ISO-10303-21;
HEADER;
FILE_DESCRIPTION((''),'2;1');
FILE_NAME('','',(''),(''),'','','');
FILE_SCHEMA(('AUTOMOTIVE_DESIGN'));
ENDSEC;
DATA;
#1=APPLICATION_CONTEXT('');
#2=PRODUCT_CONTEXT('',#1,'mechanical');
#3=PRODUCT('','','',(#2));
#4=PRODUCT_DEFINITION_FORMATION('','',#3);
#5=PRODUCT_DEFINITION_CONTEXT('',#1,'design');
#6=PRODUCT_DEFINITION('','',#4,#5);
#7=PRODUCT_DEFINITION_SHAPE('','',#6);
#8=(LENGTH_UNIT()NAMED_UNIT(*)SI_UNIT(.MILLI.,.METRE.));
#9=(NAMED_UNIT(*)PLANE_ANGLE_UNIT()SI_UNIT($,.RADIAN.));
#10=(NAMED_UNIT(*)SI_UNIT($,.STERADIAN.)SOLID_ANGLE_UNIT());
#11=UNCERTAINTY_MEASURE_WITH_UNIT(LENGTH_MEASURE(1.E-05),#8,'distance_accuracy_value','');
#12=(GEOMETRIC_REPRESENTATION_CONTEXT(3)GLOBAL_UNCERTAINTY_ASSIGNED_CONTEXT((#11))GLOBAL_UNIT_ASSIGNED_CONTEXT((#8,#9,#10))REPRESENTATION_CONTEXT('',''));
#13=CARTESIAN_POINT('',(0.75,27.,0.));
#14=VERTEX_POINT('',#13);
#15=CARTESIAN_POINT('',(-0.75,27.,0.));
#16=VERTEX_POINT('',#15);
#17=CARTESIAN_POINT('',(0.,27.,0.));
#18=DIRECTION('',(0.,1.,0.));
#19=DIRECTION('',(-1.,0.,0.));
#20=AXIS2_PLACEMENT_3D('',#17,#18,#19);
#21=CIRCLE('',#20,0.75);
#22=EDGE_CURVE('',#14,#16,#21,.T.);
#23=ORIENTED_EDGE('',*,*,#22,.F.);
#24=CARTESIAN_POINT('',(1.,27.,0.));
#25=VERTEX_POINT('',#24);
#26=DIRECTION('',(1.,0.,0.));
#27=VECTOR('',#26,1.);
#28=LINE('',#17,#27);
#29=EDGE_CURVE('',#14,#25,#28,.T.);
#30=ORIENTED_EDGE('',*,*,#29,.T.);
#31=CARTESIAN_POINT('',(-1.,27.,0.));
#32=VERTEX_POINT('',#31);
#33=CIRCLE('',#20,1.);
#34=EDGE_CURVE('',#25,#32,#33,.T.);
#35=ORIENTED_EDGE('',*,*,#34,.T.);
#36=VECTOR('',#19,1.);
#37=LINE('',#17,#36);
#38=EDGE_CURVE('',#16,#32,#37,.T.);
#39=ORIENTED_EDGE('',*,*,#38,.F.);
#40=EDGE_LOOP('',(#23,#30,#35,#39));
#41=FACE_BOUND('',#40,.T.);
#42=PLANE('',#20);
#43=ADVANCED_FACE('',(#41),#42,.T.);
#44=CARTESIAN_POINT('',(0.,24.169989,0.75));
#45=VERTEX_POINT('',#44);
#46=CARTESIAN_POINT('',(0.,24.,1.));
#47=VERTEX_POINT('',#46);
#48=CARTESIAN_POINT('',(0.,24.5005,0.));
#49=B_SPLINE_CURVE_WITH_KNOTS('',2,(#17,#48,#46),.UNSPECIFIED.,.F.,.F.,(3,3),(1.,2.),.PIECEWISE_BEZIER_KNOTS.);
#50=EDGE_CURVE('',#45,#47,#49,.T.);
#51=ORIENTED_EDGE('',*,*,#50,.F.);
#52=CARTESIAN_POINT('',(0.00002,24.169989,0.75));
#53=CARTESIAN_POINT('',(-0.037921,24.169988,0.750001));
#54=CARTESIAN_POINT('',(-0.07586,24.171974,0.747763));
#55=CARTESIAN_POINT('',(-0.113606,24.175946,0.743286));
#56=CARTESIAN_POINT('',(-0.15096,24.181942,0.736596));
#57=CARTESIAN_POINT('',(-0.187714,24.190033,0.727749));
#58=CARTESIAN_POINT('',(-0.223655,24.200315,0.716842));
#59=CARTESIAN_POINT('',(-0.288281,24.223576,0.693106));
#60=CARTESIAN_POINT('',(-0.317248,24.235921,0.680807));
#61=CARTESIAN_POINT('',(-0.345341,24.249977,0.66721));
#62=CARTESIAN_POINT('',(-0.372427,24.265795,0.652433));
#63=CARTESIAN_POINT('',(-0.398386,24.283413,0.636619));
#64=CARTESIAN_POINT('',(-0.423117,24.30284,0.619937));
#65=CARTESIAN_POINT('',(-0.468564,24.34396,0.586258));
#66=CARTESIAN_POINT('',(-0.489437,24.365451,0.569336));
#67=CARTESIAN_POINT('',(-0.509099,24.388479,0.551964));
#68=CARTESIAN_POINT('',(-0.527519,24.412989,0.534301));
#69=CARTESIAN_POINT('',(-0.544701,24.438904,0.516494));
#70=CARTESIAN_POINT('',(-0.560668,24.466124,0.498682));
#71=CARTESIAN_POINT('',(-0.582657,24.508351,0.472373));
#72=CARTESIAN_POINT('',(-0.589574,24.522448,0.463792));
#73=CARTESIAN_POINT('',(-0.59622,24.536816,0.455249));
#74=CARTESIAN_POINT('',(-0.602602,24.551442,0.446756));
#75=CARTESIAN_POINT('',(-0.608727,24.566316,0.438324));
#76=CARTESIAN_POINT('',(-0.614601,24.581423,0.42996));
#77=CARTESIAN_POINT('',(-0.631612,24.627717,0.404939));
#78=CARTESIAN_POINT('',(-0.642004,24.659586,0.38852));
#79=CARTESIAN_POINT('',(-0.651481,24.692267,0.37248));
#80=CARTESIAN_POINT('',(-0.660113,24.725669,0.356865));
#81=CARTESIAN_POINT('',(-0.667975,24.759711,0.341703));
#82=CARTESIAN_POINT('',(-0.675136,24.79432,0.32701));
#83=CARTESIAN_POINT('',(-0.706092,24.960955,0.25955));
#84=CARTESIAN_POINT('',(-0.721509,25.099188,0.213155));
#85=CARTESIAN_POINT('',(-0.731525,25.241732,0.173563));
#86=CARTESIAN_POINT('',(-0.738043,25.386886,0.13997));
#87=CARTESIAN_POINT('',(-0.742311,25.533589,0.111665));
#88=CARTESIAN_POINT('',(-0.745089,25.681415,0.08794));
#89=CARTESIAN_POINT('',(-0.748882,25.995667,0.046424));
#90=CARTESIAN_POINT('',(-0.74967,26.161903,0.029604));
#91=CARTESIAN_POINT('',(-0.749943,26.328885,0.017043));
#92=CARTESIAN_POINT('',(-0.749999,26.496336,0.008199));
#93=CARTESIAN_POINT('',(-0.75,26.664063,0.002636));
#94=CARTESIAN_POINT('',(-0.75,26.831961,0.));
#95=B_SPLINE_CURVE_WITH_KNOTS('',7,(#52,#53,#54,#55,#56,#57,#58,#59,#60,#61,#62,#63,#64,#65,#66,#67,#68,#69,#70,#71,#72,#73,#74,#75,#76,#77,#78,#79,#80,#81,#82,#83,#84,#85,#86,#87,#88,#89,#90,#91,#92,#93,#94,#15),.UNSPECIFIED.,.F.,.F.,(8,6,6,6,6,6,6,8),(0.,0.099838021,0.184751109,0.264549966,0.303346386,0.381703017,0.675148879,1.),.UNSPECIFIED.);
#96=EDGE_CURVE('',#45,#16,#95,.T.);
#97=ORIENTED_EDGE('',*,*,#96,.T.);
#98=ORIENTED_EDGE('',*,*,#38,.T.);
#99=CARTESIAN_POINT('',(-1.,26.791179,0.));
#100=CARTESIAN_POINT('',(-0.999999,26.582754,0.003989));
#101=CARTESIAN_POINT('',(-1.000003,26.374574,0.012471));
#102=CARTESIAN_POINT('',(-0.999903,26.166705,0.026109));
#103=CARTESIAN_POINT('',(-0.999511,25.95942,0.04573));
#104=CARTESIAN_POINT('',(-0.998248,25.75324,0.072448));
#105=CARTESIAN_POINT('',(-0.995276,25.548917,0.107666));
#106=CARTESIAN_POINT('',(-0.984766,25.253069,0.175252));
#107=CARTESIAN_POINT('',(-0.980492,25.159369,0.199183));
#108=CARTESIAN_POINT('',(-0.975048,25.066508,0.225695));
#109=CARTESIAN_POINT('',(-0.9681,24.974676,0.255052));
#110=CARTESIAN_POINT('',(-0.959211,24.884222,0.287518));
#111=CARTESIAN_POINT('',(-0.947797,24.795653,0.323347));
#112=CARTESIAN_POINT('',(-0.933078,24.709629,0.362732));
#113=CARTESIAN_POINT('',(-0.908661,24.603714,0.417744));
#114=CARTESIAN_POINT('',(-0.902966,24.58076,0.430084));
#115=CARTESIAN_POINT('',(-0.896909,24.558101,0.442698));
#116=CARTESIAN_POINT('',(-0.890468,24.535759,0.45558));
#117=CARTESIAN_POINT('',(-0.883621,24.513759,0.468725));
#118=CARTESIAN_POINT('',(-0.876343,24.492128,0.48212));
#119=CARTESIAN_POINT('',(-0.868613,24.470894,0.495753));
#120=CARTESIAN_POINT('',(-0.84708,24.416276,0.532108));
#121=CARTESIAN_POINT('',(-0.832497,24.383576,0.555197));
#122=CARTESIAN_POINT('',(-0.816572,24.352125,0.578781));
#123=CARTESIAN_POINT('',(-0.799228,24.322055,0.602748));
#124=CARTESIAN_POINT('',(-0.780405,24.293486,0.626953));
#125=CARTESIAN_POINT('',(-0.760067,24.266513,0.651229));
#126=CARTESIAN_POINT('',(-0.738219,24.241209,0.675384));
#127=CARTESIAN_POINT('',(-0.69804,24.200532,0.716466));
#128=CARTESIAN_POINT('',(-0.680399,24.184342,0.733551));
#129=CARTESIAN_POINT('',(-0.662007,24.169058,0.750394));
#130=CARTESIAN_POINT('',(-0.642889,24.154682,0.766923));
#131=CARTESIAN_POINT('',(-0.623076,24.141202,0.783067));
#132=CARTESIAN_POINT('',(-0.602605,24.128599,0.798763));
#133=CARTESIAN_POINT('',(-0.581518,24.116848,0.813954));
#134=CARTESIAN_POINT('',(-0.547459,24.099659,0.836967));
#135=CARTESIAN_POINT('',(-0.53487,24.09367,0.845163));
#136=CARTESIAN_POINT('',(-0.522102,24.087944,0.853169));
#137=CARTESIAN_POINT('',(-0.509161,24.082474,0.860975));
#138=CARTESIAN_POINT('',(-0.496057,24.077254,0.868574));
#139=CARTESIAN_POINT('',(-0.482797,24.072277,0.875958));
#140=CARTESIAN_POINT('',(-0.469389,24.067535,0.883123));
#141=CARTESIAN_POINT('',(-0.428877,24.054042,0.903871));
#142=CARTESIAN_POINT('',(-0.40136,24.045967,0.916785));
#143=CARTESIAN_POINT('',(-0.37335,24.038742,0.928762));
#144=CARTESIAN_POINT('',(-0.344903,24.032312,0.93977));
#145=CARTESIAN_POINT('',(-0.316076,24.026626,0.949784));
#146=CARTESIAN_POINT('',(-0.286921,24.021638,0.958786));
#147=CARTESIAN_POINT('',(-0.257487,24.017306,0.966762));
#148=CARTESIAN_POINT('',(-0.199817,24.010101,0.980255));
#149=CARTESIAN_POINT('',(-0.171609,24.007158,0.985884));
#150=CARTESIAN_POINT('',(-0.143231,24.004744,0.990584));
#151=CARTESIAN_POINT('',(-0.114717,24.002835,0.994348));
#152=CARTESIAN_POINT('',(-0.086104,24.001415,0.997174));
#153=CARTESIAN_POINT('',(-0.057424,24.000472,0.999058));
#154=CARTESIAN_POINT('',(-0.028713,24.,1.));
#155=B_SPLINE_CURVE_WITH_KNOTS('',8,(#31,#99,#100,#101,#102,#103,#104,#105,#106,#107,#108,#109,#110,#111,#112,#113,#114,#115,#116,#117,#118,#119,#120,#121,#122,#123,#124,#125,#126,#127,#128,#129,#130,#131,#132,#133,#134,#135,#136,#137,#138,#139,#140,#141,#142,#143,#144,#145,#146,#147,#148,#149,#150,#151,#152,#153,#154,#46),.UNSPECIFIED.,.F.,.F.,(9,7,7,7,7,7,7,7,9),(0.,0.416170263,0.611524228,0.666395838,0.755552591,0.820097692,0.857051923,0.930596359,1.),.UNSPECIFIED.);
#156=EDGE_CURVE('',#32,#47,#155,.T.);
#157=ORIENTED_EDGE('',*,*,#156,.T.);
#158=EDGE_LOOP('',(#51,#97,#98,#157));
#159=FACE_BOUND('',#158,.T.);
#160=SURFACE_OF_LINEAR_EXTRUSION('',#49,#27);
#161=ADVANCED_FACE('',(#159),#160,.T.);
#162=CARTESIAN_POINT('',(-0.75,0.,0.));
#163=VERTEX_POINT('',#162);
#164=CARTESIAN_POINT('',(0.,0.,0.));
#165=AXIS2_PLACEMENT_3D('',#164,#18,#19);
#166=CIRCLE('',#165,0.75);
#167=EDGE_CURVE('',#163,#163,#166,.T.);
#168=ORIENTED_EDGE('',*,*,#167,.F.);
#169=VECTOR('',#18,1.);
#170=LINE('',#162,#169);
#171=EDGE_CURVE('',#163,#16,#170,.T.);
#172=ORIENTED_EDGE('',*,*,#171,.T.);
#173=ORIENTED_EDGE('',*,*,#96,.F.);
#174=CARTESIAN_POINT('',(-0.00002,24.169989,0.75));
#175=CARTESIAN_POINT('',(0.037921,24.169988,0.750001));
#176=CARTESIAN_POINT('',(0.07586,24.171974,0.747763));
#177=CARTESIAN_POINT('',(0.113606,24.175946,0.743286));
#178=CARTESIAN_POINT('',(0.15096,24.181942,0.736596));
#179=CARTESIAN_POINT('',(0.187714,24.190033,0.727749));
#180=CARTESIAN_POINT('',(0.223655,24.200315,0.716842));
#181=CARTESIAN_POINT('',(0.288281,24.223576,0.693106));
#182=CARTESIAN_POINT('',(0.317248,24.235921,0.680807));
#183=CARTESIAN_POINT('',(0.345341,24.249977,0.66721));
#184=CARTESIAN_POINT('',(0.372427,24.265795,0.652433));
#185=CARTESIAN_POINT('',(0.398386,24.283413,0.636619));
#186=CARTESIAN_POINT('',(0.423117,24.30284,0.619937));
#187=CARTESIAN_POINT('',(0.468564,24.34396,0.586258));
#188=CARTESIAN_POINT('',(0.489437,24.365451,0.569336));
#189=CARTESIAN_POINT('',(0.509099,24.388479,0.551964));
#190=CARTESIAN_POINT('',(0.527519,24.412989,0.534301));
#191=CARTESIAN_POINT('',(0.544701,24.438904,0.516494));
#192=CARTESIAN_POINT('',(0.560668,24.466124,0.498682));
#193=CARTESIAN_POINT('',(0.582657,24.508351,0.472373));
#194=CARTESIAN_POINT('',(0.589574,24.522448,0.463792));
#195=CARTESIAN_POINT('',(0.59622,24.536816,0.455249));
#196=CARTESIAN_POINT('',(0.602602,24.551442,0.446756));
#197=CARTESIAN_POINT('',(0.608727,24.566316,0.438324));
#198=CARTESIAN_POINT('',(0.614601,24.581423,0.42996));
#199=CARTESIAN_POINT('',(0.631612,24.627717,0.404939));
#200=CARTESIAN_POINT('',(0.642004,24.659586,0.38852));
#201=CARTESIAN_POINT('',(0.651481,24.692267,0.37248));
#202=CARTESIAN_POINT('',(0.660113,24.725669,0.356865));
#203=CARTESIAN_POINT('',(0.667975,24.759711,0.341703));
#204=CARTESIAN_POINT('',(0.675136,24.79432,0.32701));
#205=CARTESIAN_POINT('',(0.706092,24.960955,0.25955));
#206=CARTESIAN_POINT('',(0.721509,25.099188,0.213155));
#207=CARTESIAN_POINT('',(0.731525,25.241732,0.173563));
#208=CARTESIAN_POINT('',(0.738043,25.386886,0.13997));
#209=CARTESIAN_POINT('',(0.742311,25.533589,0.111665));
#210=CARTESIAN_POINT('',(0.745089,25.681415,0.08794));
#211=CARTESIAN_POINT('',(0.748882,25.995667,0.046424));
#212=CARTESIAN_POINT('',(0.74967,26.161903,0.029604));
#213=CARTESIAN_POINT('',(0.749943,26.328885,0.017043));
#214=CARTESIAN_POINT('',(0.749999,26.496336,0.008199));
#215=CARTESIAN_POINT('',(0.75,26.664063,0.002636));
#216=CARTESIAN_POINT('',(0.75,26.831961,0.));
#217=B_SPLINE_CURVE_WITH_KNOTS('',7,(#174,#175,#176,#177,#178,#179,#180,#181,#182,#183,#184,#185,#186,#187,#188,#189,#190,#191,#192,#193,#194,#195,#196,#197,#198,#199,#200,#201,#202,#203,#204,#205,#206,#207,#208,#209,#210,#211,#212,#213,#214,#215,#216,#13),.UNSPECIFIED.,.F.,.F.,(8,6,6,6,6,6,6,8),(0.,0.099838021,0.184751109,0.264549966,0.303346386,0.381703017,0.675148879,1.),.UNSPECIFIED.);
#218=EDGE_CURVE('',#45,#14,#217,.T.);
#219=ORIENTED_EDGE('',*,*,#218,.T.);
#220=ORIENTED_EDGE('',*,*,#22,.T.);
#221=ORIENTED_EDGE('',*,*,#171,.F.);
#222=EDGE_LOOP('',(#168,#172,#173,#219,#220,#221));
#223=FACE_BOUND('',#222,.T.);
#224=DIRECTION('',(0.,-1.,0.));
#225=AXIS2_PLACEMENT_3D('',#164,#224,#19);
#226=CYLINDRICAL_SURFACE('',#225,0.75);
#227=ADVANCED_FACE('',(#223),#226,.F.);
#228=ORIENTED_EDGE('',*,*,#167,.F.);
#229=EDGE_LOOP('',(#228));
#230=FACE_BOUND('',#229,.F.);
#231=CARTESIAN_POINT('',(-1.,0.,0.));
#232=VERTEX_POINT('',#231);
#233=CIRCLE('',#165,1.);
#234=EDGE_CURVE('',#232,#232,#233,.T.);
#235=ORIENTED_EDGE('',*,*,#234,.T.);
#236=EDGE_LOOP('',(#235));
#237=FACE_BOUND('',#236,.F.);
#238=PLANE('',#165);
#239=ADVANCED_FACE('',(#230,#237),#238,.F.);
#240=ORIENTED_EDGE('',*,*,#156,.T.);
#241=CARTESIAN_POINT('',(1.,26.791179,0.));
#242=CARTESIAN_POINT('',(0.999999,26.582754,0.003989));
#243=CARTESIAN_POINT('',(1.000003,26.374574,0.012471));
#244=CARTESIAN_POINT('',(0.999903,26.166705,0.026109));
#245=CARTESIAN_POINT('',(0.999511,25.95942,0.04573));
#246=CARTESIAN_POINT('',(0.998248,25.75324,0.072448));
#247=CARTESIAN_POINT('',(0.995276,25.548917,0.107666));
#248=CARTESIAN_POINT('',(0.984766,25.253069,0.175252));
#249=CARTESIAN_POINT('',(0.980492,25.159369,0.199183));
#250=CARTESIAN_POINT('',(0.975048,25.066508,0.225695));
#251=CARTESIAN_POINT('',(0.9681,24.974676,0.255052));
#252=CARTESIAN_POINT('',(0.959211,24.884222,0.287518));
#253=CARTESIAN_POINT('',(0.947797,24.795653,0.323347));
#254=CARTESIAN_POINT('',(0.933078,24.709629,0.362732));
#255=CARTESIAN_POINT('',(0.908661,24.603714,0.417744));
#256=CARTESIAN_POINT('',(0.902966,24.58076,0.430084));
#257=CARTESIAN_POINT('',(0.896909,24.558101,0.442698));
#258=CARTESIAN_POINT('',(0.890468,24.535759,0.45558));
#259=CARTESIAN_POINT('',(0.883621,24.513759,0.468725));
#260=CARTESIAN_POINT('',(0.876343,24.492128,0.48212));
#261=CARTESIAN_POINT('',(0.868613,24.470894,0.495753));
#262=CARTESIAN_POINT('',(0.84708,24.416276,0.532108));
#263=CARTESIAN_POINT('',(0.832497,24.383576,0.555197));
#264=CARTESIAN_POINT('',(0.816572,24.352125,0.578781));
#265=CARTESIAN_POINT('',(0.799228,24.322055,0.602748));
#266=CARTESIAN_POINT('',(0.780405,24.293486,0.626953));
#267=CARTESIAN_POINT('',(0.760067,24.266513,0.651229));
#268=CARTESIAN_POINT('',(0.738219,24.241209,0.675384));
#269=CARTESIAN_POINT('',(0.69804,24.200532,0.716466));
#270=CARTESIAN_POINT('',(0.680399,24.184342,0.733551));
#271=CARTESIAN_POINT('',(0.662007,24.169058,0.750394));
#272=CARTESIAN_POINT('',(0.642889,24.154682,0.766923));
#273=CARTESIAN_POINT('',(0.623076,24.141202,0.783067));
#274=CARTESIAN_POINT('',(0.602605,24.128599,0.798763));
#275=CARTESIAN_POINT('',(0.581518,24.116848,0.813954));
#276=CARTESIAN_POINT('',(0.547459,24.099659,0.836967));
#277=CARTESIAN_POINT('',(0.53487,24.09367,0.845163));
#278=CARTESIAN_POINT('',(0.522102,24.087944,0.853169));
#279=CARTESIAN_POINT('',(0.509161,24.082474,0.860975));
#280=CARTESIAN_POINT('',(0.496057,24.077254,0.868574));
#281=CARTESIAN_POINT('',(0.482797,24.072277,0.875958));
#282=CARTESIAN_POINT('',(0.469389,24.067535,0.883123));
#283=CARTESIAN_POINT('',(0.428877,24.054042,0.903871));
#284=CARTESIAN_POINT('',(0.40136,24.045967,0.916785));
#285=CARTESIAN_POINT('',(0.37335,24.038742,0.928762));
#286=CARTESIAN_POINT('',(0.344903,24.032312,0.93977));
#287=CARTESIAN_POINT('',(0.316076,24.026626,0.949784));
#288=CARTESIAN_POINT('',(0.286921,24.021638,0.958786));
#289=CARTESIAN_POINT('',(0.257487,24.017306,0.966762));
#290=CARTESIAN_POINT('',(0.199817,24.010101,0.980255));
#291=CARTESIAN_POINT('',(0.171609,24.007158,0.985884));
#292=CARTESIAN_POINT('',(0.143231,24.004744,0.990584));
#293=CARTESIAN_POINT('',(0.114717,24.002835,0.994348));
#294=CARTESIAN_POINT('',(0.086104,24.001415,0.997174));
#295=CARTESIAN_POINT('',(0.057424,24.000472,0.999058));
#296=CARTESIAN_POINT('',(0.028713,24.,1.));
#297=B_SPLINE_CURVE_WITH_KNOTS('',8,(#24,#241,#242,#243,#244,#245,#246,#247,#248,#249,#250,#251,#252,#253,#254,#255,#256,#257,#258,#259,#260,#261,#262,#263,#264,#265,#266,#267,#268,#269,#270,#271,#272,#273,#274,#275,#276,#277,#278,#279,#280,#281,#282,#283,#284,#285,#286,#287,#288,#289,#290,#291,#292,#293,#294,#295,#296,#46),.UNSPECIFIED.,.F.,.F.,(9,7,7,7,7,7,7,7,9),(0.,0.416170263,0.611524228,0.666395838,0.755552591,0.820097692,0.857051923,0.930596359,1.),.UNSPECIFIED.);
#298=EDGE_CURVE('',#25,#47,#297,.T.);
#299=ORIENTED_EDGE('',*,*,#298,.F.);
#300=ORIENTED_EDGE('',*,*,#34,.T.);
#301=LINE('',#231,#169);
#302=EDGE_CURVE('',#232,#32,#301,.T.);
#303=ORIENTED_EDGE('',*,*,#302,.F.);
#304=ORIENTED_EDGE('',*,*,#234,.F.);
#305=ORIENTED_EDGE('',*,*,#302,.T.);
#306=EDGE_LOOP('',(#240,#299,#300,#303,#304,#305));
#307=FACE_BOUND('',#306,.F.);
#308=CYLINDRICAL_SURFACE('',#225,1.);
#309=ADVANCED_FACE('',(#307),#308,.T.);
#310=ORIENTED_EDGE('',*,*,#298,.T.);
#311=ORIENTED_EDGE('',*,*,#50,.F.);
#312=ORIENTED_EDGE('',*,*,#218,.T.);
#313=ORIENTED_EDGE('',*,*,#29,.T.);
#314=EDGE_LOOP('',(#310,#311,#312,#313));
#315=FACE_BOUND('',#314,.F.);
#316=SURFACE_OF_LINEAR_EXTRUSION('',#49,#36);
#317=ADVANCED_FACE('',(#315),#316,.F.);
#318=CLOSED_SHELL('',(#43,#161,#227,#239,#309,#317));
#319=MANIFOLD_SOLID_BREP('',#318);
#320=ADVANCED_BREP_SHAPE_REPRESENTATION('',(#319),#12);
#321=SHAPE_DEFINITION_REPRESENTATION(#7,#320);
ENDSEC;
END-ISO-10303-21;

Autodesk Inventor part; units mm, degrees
ref_plane "YZ Plane" through (0, 0, 0) normal (1, 0, 0) x (0, 1, 0)
ref_plane "XZ Plane" through (0, 0, 0) normal (0, 1, 0) x (-1, 0, 0)
ref_plane "XY Plane" through (0, 0, 0) normal (0, 0, 1) x (1, 0, 0)
sketch "Sketch1" plane through (0, 0, 0) normal (0, 1, 0) x (-1, 0, 0)
  circle A0 centre (0, 0) radius 1
  circle A1 centre (0, 0) radius 0.75
  dimension "d0" = 2
  dimension "d1" = 1.5
extrude "Extrusion1" add sketch "Sketch1" along normal blind 27
sketch "Sketch2" plane through (0, 0, 0) normal (1, 0, 0) x (0, 1, 0)
  line L0 (0, 1) -> (27, 1) construction
  line L1 (27, 0) -> (24.5005, 0) construction
  line L2 (27, 0) -> (24.5005, 0) construction
  line L3 (24.5005, 0) -> (24, 1) construction
  spline S0 degree 2 poles (27, 0) (24.5005, 0) (24, 1) knots 1 1 1 2 2 2
  line L4 (24, 1) -> (27.2057, 2.7706)
  line L5 (27.2057, 2.7706) -> (28.0027, -0.4432)
  line L6 (28.0027, -0.4432) -> (27, 0)
  point P0 (0, 0)
extrude "Extrusion2" cut sketch "Sketch2" against normal blind 1 and the other way blind 1
properties part number "pin"
